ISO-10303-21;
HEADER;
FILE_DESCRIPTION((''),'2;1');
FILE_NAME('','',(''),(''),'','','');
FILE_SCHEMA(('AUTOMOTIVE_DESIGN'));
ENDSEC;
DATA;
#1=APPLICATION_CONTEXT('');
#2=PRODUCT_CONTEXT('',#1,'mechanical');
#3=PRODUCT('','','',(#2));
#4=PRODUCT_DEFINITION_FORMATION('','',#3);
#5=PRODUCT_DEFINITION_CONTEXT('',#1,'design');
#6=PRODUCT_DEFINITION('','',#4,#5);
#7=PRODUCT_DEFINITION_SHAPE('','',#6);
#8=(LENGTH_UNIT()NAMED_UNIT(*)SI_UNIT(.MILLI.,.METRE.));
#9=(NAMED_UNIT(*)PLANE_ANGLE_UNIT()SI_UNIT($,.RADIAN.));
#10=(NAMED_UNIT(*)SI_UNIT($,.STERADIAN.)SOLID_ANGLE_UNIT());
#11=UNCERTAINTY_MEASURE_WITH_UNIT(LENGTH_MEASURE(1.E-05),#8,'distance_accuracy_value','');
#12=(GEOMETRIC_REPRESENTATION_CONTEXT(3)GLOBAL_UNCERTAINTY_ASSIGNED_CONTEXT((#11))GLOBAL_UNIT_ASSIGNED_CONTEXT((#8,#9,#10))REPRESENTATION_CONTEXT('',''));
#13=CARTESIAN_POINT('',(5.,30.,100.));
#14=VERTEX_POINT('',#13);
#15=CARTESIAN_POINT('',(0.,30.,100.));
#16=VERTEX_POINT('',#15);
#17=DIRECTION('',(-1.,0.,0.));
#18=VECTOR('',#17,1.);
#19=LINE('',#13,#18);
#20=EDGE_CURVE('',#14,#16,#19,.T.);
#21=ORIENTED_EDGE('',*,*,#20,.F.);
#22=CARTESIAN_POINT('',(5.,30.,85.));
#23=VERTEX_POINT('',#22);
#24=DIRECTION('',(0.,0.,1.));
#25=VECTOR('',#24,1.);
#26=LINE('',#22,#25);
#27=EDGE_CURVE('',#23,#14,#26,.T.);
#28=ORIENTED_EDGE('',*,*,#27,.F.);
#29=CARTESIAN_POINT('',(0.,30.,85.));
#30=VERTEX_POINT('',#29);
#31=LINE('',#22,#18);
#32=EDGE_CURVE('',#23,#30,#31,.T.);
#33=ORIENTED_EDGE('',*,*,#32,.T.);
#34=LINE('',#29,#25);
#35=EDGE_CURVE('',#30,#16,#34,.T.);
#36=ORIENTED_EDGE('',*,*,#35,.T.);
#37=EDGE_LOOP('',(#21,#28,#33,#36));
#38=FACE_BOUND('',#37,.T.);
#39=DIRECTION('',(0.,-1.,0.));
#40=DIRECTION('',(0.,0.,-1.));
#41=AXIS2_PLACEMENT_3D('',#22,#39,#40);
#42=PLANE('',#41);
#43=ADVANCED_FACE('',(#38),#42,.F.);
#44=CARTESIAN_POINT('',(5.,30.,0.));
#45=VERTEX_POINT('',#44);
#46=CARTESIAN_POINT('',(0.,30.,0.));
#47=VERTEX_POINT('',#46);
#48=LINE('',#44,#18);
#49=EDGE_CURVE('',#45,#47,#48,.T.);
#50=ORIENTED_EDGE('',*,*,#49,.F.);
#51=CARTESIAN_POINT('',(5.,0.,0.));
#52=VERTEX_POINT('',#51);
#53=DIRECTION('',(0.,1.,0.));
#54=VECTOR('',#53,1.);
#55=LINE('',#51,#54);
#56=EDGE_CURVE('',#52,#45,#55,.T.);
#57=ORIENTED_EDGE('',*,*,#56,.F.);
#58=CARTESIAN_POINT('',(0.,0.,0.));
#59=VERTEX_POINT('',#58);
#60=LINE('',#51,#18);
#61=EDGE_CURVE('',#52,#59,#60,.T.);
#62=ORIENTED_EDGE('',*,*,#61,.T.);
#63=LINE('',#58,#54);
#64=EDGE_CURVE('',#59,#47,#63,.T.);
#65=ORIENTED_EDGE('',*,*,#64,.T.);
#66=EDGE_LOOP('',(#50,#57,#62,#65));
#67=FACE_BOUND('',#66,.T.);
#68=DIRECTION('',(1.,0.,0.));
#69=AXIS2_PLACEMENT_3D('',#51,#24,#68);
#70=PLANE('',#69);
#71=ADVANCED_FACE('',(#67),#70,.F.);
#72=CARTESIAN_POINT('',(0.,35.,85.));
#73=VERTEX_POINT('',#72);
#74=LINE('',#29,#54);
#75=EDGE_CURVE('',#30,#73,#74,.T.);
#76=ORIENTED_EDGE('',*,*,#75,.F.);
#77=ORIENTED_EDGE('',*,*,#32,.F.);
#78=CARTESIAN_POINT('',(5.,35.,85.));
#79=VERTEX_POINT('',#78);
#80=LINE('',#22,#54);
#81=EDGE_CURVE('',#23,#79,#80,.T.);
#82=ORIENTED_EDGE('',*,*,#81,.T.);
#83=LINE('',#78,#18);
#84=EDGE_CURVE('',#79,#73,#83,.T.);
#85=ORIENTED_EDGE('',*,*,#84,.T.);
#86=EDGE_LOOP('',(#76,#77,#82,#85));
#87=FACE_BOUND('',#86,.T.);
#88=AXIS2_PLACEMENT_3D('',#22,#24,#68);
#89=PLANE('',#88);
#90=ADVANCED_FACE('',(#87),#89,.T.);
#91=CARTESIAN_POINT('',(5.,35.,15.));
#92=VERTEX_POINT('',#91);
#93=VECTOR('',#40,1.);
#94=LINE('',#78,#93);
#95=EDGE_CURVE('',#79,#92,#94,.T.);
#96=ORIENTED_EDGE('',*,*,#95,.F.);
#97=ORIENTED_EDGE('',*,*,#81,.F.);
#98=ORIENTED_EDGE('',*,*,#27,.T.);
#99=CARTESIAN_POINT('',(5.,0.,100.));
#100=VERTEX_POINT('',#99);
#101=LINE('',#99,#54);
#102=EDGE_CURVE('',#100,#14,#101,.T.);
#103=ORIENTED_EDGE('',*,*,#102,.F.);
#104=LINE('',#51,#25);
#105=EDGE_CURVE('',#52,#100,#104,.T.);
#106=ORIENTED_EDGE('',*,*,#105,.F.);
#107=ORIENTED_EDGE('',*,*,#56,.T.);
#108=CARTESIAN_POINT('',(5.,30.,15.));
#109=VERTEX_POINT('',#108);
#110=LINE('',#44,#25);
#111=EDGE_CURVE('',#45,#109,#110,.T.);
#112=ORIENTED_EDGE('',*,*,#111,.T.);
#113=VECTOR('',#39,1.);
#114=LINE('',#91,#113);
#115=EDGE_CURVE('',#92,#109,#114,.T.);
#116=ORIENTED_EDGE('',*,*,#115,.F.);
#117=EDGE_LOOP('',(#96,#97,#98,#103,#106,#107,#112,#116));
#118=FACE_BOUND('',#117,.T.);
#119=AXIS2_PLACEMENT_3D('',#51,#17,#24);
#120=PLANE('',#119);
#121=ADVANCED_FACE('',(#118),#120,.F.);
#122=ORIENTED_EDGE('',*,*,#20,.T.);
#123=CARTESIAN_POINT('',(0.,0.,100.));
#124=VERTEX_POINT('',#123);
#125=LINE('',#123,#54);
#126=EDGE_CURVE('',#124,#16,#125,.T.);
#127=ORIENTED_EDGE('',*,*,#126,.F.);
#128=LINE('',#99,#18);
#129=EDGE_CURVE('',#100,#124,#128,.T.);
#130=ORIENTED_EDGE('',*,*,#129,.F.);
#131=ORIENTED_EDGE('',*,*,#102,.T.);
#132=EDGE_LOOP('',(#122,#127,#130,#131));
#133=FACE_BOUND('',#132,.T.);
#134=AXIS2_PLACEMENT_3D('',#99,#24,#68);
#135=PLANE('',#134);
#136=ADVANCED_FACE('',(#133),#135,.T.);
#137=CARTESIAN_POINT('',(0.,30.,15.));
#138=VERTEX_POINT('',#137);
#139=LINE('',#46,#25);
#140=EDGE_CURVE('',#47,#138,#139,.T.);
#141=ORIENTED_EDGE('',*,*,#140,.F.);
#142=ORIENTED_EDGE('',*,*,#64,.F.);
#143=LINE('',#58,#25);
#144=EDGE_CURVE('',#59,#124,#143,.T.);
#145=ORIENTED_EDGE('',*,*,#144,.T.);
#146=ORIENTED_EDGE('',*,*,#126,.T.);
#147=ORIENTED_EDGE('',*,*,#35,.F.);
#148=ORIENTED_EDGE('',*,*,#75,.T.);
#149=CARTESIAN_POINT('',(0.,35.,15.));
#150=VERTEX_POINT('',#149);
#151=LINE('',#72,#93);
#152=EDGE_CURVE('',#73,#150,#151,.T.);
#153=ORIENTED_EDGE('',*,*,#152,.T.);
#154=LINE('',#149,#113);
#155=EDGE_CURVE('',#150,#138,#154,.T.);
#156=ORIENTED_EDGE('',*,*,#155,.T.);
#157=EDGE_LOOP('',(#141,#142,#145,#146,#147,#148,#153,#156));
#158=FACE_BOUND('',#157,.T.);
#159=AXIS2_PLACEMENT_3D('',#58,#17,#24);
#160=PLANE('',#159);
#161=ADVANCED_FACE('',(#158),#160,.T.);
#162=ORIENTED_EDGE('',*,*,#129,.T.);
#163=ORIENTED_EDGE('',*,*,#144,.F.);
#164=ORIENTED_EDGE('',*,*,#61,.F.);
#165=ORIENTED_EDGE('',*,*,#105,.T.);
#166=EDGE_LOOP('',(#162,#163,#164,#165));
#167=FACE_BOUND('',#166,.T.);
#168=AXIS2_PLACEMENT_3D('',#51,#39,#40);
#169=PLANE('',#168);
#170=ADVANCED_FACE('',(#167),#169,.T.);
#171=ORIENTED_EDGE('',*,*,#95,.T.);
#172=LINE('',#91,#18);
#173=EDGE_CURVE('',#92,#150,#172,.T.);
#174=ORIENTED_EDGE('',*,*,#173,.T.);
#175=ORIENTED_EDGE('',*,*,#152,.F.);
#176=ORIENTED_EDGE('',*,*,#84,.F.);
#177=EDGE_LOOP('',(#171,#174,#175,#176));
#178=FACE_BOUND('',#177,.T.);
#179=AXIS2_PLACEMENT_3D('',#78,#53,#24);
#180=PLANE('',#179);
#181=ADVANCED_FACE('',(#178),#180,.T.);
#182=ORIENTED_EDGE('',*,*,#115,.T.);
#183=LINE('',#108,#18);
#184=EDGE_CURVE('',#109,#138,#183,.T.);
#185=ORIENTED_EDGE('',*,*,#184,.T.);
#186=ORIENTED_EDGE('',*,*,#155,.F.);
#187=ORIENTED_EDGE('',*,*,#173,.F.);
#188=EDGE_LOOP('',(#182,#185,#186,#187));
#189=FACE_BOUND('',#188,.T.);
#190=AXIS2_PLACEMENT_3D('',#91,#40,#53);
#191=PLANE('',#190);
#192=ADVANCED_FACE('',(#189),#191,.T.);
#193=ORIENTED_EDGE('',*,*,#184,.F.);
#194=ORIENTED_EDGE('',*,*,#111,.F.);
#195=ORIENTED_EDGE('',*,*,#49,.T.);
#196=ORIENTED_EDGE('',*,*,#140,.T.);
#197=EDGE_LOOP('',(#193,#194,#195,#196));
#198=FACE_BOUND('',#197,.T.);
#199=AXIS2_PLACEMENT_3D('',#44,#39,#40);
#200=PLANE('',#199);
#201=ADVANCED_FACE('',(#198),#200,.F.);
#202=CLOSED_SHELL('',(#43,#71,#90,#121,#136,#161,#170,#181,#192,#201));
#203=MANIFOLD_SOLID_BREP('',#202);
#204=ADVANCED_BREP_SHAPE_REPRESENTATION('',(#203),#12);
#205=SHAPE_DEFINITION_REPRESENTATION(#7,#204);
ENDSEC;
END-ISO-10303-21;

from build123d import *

# Parameters (mm, degrees)
BOSS_EXTRUDE2_DEPTH = 5


with BuildPart() as part:
    # Sketch1 → Boss-Extrude2 (new body)
    with BuildSketch(Plane(origin=(0, 0, 0), x_dir=(0, 0, -1), z_dir=(1, 0, 0))):
        Polygon((-85, 30), (-85, 35), (-15, 35), (-15, 30), (0, 30), (0, 0), (-100, 0), (-100, 30), align=None)
    extrude(amount=BOSS_EXTRUDE2_DEPTH)


solid = part.part
